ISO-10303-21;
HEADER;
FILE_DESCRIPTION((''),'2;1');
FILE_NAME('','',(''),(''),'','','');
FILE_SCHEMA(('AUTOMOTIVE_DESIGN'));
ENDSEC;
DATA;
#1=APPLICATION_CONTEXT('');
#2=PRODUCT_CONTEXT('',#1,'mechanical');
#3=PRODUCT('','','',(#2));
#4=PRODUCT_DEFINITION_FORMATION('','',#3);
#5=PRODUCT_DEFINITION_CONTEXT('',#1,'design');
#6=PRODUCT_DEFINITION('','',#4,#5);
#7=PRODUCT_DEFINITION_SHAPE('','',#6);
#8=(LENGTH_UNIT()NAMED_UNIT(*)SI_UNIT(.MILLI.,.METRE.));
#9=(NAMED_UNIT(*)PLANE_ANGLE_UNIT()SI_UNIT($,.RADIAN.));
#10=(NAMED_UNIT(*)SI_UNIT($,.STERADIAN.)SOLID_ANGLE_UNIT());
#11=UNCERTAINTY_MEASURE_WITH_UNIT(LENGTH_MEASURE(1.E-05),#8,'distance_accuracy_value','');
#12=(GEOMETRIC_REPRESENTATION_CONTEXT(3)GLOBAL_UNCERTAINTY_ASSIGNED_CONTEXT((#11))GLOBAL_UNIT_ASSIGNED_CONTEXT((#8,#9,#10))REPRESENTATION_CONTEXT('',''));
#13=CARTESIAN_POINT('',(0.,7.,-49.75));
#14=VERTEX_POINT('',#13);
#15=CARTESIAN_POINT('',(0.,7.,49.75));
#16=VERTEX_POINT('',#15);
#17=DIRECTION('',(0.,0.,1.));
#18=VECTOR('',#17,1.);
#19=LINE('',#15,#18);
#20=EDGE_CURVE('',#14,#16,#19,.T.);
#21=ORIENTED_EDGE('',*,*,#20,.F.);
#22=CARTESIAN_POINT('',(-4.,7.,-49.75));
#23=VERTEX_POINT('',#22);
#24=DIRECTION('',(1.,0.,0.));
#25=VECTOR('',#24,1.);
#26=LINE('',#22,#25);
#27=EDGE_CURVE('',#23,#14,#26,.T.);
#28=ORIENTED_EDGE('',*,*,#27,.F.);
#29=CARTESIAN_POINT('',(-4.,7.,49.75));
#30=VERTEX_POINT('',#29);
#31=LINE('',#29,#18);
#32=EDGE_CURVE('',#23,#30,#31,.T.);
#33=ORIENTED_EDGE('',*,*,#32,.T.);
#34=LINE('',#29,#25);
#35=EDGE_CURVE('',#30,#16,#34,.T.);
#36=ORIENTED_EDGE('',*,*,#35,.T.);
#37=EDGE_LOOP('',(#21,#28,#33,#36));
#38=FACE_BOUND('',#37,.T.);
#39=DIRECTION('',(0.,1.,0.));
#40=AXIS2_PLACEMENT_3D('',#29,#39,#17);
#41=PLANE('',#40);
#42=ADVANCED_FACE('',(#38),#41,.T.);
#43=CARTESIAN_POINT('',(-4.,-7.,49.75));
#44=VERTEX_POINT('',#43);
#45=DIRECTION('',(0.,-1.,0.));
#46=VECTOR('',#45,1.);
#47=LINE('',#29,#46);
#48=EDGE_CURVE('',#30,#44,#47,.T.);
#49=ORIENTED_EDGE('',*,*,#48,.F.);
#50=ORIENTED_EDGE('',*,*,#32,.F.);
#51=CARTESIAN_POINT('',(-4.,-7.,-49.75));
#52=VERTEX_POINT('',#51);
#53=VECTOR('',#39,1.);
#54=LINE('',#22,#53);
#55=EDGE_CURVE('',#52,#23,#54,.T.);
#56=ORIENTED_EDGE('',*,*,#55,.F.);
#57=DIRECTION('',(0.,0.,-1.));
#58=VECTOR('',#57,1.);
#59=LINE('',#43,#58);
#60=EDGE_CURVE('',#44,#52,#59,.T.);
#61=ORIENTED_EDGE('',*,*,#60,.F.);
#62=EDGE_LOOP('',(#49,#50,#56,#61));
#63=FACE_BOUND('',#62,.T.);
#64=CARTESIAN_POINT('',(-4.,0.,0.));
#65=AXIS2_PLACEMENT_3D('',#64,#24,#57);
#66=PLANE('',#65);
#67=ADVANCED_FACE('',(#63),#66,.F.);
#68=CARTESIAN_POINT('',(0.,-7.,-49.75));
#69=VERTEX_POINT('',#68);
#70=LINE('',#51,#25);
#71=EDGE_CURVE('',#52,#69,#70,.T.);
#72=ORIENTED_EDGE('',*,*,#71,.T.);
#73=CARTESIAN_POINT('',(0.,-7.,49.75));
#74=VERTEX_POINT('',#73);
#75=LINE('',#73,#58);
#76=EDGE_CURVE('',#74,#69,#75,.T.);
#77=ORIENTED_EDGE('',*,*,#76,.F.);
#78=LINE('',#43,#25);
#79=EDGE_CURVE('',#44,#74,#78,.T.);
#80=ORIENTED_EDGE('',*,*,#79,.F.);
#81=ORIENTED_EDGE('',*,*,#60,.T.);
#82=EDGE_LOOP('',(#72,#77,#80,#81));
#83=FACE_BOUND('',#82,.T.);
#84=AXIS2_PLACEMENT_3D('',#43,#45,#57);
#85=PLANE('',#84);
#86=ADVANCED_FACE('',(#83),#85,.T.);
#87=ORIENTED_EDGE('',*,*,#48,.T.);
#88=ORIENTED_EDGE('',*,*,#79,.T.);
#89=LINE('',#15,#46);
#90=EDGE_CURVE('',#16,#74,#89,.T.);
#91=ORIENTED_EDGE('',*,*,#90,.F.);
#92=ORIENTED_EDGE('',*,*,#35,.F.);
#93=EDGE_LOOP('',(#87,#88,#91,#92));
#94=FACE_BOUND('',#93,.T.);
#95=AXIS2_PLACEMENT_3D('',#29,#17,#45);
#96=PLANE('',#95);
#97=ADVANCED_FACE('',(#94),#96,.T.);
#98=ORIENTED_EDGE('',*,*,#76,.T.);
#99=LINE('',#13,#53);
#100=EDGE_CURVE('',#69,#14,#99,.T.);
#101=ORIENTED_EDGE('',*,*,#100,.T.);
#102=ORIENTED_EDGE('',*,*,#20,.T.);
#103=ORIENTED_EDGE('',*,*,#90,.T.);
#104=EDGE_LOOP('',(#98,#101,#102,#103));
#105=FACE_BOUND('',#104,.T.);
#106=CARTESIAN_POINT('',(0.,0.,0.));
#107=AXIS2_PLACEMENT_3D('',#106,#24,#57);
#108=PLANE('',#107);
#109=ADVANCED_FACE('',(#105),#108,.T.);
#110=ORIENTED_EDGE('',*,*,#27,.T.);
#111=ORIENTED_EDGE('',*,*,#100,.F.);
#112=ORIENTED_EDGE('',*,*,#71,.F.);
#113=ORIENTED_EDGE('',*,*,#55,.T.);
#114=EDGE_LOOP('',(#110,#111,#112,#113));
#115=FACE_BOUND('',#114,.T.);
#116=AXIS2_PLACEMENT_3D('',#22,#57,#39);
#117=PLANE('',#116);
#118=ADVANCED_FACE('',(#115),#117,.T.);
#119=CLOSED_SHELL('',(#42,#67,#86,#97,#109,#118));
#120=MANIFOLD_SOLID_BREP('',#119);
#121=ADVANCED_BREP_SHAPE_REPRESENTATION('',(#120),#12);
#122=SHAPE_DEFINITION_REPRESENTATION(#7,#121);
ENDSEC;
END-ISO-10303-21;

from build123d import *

# Parameters (mm, degrees)
SKETCH1_W           = 99.5
SKETCH1_H           = 14
BOSS_EXTRUDE1_DEPTH = 4


with BuildPart() as part:
    # Sketch1 → Boss-Extrude1 (new body)
    with BuildSketch(Plane(origin=(0, 0, 0), x_dir=(0, 0, -1), z_dir=(1, 0, 0))):
        Rectangle(SKETCH1_W, SKETCH1_H)
    extrude(amount=-BOSS_EXTRUDE1_DEPTH)


solid = part.part
